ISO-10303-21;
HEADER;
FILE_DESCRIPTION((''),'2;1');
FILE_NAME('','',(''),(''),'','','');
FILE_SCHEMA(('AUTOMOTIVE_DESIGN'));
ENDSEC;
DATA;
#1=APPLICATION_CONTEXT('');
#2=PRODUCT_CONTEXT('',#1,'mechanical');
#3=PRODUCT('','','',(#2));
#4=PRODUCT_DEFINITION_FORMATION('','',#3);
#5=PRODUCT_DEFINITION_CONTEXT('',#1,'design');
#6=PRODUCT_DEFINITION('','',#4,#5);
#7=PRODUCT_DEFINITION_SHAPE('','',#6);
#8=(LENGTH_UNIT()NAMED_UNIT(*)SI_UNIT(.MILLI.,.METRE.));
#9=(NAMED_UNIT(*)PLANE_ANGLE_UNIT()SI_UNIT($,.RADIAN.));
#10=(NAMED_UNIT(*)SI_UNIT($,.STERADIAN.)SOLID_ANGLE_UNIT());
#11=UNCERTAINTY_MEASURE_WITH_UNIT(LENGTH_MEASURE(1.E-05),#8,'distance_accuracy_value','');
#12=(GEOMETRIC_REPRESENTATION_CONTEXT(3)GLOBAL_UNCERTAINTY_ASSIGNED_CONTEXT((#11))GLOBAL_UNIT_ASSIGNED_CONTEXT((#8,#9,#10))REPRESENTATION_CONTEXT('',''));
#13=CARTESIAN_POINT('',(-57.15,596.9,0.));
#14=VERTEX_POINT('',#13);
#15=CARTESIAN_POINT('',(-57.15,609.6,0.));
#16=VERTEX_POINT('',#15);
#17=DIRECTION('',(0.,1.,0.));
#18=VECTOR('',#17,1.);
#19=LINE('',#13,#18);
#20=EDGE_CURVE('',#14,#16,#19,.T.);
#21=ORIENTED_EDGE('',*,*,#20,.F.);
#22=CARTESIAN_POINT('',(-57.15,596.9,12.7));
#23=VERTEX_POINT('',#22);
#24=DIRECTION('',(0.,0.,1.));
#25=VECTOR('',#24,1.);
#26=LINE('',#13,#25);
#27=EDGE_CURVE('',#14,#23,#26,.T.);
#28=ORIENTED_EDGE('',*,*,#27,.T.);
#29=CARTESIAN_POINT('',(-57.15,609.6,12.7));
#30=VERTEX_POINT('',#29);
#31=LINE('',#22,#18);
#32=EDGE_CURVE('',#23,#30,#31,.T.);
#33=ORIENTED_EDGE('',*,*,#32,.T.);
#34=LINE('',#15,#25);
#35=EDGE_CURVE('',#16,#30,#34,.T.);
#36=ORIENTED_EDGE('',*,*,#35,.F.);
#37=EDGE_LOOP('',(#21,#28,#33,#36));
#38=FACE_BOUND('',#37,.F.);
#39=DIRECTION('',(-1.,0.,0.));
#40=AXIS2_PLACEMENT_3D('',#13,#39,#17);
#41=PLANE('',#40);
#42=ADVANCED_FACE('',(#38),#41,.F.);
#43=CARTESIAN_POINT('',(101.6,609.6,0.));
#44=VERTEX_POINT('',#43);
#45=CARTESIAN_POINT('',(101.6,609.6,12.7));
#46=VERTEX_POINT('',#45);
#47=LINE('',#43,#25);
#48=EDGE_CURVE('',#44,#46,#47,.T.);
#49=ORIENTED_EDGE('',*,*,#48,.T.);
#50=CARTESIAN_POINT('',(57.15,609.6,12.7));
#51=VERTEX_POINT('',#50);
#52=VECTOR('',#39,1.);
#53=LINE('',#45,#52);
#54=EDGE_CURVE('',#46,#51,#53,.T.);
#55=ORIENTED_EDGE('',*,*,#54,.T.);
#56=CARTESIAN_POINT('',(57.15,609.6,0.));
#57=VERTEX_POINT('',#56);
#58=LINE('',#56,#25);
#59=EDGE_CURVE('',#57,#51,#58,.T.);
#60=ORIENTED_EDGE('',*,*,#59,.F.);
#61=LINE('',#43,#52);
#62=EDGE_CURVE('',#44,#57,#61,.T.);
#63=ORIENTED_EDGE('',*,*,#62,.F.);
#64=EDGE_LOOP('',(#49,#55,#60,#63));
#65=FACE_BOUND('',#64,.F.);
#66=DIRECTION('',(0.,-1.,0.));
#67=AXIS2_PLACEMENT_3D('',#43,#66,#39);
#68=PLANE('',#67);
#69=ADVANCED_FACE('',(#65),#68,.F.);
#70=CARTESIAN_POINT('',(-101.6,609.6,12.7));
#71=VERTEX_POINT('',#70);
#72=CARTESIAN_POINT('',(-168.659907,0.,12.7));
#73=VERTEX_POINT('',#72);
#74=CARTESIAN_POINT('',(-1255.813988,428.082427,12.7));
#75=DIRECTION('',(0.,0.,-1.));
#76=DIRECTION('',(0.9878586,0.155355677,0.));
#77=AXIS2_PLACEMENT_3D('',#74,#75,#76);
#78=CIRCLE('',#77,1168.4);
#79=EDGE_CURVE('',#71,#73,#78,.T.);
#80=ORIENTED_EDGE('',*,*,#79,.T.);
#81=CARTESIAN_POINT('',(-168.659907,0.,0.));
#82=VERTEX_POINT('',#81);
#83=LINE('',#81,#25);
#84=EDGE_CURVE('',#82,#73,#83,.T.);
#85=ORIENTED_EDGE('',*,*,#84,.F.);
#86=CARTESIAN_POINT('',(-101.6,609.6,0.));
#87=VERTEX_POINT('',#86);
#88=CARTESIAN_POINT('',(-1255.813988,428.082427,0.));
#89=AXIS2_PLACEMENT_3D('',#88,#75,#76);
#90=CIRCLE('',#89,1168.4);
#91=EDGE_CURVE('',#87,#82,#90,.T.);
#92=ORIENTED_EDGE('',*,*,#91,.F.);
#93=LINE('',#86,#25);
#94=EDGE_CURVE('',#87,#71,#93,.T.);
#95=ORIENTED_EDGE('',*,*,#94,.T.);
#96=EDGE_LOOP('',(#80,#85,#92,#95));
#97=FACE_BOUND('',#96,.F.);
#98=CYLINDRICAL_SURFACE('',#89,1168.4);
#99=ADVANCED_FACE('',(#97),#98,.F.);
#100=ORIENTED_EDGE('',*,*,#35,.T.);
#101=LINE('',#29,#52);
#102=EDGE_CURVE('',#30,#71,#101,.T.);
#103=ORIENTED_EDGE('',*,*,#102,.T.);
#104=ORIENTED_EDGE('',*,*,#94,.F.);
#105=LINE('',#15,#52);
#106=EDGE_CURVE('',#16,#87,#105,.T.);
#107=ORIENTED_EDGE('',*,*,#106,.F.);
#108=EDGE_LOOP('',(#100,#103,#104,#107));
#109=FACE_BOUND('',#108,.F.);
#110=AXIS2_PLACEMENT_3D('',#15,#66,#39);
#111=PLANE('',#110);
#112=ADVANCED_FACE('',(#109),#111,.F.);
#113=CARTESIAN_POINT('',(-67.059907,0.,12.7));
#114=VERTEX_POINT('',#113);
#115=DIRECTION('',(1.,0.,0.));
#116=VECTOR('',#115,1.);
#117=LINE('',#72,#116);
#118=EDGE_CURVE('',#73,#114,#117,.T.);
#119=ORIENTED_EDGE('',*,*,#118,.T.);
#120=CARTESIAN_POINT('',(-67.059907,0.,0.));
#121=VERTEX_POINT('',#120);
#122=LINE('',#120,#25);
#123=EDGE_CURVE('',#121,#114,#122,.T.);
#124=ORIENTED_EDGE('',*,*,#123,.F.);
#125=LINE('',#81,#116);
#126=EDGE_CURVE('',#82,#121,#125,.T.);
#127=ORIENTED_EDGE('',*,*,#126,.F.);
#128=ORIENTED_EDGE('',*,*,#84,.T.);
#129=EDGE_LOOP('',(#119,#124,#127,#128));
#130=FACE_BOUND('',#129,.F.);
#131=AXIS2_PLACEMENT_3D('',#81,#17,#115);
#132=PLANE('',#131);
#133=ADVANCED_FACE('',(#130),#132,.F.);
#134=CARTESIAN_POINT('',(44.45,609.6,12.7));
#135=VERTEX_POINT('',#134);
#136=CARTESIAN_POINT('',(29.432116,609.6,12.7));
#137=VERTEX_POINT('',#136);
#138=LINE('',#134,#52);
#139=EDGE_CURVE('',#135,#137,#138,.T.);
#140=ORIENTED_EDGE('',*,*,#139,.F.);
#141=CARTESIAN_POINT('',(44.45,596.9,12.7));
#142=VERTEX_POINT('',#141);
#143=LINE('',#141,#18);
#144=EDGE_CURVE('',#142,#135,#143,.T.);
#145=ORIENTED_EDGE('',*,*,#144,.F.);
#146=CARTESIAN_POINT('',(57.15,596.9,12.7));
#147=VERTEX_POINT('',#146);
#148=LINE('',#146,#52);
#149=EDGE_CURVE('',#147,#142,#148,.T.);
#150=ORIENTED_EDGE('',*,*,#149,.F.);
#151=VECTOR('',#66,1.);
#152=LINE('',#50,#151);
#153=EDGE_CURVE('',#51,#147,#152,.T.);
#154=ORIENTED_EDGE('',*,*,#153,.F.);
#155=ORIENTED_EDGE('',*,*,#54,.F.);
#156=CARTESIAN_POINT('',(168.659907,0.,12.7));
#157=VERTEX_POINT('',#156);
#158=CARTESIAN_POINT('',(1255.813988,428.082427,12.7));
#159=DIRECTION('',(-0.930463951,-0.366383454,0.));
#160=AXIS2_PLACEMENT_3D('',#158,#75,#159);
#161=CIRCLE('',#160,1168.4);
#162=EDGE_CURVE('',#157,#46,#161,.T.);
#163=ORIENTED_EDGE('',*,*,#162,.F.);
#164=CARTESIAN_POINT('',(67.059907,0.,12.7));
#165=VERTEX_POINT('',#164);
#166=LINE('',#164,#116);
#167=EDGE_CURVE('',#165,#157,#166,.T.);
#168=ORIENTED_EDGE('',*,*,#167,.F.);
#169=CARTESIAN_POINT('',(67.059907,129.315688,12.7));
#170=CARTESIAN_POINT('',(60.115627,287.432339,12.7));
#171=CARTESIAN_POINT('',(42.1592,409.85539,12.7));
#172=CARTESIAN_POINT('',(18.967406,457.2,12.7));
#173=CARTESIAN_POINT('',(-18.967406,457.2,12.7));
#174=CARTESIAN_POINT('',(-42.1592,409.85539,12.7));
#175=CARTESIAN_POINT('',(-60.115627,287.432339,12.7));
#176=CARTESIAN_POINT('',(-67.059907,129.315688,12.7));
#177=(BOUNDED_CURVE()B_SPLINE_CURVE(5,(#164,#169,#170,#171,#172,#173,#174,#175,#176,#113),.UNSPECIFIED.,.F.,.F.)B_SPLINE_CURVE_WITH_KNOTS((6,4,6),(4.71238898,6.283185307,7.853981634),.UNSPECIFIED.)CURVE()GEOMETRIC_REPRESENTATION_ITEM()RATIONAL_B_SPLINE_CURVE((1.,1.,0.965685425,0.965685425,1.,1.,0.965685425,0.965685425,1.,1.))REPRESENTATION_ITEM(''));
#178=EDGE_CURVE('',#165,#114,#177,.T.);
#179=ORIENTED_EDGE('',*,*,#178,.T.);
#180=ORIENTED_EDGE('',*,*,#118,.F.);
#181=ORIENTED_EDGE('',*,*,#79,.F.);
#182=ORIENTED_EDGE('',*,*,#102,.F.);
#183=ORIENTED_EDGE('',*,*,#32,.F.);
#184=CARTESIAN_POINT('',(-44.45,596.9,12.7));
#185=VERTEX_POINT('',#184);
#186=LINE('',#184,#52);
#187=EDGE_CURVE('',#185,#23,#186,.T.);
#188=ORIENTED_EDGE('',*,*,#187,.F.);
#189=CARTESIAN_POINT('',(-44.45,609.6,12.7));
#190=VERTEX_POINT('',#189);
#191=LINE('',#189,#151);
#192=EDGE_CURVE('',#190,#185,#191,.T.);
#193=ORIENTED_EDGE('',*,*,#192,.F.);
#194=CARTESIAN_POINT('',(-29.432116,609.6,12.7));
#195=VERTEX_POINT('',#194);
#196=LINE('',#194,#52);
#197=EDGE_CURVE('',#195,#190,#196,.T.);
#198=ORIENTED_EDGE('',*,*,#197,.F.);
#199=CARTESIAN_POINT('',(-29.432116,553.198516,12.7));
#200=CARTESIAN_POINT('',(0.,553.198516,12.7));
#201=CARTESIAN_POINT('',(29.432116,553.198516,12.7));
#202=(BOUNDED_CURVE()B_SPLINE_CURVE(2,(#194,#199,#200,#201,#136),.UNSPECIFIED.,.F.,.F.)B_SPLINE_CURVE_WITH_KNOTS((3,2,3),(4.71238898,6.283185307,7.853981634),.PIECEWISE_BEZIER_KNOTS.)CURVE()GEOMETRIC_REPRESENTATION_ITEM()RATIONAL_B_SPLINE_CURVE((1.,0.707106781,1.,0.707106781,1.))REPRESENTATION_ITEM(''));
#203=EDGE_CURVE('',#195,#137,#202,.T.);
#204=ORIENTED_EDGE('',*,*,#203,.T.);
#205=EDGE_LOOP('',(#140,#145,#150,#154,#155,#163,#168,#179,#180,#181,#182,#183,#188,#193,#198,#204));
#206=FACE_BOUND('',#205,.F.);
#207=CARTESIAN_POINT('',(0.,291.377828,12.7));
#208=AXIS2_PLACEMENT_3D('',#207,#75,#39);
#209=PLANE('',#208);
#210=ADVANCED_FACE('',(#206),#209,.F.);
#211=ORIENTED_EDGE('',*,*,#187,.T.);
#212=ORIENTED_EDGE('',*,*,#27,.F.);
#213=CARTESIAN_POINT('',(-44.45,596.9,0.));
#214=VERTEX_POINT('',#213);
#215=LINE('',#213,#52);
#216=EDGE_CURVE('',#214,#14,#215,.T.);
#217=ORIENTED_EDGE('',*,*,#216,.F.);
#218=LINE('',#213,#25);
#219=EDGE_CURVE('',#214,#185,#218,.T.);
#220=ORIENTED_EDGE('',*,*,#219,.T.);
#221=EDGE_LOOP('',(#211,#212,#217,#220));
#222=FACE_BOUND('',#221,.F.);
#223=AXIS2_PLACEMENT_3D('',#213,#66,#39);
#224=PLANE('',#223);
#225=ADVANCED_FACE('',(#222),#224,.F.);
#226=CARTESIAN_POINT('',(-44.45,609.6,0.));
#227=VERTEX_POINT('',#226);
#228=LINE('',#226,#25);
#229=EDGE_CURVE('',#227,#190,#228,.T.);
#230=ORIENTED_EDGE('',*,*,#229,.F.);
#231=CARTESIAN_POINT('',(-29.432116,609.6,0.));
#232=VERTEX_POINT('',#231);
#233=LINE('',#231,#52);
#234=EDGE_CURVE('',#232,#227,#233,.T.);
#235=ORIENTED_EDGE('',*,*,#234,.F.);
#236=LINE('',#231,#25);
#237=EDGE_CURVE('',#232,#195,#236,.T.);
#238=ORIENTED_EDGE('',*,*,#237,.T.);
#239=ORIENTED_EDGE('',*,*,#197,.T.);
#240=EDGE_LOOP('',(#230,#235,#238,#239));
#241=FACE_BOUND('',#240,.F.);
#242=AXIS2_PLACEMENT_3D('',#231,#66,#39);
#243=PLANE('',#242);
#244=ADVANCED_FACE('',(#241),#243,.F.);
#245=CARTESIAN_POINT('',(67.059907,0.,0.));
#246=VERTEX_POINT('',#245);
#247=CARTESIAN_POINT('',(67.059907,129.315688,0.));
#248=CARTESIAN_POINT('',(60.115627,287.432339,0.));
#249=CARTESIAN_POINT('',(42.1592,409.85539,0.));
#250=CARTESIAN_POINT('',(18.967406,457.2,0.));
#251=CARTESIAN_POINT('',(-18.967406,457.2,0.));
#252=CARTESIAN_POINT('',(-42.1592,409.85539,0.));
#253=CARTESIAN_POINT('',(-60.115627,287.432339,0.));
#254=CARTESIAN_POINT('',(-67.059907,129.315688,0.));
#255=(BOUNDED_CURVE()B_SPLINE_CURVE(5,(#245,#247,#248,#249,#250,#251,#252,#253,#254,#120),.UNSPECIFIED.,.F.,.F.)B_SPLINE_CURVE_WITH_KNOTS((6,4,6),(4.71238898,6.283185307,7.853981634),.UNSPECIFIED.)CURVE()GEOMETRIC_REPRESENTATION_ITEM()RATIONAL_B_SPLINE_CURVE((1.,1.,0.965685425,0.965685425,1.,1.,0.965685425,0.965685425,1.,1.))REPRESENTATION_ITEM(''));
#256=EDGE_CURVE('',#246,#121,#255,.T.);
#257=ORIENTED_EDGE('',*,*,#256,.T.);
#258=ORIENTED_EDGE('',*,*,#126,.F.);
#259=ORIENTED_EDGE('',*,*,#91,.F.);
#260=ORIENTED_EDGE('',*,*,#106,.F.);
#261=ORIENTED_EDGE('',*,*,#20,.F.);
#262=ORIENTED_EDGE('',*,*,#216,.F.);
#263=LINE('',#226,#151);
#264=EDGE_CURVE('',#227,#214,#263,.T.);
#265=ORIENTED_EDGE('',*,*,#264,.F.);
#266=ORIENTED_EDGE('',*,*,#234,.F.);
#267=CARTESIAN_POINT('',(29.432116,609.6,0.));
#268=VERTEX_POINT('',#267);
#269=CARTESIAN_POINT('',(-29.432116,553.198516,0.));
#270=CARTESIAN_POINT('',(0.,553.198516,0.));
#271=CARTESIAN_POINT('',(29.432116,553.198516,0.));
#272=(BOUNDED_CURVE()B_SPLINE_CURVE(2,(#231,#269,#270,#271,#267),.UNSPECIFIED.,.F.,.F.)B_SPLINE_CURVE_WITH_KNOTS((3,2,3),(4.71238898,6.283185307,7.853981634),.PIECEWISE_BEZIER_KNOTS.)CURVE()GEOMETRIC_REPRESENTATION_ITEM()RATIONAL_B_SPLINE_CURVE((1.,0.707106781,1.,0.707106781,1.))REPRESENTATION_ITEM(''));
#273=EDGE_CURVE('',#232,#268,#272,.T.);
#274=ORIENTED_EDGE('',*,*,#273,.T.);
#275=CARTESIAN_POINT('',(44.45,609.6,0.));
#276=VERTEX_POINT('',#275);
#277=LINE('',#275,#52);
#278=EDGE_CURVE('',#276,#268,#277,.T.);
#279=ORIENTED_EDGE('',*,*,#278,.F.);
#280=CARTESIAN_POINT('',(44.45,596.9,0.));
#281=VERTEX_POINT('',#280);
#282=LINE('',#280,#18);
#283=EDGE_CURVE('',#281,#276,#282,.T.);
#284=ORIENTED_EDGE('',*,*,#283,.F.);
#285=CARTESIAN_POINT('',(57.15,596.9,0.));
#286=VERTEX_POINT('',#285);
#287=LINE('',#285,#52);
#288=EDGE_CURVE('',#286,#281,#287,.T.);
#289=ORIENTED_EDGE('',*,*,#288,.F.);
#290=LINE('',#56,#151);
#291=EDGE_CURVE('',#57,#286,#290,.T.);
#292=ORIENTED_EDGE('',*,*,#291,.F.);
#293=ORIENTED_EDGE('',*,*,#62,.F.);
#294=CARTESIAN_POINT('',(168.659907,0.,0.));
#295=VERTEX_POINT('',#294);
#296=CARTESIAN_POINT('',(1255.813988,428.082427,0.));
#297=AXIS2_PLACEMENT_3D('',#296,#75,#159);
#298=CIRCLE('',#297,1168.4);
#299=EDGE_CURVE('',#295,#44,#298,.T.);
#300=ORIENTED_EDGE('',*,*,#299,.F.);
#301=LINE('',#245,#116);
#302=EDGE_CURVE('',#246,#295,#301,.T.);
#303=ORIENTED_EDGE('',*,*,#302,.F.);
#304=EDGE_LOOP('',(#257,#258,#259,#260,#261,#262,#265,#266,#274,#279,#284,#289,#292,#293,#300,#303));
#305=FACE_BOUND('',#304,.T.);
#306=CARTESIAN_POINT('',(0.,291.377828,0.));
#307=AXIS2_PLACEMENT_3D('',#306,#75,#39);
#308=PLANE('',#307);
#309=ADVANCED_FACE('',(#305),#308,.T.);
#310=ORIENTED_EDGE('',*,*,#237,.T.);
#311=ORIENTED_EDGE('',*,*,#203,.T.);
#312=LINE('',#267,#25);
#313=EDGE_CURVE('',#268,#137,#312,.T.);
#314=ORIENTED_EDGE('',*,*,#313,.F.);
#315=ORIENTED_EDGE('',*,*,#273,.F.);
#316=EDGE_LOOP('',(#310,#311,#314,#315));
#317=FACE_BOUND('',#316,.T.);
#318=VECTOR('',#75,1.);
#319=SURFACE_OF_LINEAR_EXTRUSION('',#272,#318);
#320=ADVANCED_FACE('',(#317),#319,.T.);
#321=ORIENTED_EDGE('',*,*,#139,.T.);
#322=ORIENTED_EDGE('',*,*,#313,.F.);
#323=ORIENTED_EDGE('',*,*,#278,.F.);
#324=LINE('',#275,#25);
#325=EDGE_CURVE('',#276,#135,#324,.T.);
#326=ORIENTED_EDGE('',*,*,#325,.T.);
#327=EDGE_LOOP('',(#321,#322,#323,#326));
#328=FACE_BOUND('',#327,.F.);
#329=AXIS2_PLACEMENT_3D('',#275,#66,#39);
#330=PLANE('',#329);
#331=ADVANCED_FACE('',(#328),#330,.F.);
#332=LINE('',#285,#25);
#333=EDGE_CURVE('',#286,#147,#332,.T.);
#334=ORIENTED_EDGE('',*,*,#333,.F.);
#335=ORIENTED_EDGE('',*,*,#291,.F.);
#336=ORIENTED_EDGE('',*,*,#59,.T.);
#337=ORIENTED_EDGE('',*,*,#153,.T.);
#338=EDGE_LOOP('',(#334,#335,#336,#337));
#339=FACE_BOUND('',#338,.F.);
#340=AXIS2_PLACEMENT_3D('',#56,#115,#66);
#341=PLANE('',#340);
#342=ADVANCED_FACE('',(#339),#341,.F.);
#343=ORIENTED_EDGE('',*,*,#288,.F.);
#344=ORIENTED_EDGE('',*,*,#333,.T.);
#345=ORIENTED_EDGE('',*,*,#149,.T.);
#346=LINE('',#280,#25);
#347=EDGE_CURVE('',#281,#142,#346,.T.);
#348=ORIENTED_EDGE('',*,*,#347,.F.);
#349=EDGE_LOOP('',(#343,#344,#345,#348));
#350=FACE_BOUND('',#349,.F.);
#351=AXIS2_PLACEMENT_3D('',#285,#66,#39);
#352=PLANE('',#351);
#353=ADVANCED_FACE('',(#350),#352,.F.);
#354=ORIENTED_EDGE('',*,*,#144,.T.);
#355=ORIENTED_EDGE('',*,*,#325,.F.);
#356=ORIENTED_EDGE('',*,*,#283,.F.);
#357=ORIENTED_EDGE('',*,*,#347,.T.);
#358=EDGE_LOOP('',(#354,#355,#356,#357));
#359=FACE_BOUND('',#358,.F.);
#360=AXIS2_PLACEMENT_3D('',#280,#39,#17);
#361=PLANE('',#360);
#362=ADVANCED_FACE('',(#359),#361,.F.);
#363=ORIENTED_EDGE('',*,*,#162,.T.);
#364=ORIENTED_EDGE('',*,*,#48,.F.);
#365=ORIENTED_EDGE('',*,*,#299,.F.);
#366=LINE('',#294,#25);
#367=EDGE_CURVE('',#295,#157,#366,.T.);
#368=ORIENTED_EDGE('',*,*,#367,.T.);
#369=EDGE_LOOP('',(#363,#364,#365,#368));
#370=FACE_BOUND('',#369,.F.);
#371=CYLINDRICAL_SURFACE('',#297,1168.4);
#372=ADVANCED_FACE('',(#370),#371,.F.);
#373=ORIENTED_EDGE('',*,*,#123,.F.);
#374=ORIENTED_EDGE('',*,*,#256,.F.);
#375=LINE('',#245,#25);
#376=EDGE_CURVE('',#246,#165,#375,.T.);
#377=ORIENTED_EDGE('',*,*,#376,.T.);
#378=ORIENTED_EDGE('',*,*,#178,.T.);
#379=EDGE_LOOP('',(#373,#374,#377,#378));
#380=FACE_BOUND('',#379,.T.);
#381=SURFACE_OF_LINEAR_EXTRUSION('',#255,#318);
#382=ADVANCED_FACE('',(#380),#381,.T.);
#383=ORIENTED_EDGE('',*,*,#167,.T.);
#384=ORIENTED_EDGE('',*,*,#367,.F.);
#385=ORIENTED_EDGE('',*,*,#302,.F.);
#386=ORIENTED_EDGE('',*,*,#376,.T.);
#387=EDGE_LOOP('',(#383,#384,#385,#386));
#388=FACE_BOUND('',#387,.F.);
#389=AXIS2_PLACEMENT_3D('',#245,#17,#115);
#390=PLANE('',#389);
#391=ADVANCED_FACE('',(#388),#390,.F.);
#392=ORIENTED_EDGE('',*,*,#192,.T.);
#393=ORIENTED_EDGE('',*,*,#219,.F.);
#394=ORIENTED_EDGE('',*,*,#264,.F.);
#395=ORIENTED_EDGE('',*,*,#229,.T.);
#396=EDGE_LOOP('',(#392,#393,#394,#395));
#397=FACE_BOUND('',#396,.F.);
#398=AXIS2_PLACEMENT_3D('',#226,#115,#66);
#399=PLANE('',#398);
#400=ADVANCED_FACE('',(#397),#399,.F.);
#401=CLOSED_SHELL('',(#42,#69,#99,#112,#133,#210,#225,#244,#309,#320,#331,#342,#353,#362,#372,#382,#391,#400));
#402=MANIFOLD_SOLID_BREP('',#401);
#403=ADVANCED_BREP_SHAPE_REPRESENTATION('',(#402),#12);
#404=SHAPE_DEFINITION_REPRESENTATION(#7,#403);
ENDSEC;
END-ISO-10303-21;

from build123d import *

# Parameters (mm, degrees)
F1_DEPTH = 12.7


with BuildPart() as f1:
    # F0 (on Top) → F1 (new body)
    with BuildSketch(Plane.XY):
        with BuildLine():
            add(Edge.make_bspline(
                [(67.0599073779, 0), (67.0599073779, 457.2), (0, 457.2)],
                knots=[4.7123889804, 4.7123889804, 4.7123889804, 6.2831853072, 6.2831853072, 6.2831853072], degree=2, weights=[1, 0.7071067812, 1]))
            Line((67.0599073779, 0), (168.6599073779, 0))
            ThreePointArc((168.6599073779, 0), (94.4201078984, 300.3216560235), (101.6, 609.6))
            Line((101.6, 609.6), (57.15, 609.6))
            Line((57.15, 609.6), (57.15, 596.9))
            Line((57.15, 596.9), (44.45, 596.9))
            Line((44.45, 596.9), (44.45, 609.6))
            Line((44.45, 609.6), (29.4321160355, 609.6))
            add(Edge.make_bspline(
                [(-29.4321160355, 609.6), (-29.4321160355, 553.1985163689), (0, 553.1985163689), (29.4321160355, 553.1985163689), (29.4321160355, 609.6)],
                knots=[4.7123889804, 4.7123889804, 4.7123889804, 6.2831853072, 6.2831853072, 7.853981634, 7.853981634, 7.853981634], degree=2, weights=[1, 0.7071067812, 1, 0.7071067812, 1]))
            Line((-29.4321160355, 609.6), (-44.45, 609.6))
            Line((-44.45, 609.6), (-44.45, 596.9))
            Line((-44.45, 596.9), (-57.15, 596.9))
            Line((-57.15, 596.9), (-57.15, 609.6))
            Line((-57.15, 609.6), (-101.6, 609.6))
            ThreePointArc((-101.6, 609.6), (-94.4201078984, 300.3216560235), (-168.6599073779, 0))
            Line((-168.6599073779, 0), (-67.0599073779, 0))
            add(Edge.make_bspline(
                [(0, 457.2), (-67.0599073779, 457.2), (-67.0599073779, 0)],
                knots=[0, 0, 0, 1.5707963268, 1.5707963268, 1.5707963268], degree=2, weights=[1, 0.7071067812, 1]))
        make_face()
    extrude(amount=F1_DEPTH)


solid = f1.part
